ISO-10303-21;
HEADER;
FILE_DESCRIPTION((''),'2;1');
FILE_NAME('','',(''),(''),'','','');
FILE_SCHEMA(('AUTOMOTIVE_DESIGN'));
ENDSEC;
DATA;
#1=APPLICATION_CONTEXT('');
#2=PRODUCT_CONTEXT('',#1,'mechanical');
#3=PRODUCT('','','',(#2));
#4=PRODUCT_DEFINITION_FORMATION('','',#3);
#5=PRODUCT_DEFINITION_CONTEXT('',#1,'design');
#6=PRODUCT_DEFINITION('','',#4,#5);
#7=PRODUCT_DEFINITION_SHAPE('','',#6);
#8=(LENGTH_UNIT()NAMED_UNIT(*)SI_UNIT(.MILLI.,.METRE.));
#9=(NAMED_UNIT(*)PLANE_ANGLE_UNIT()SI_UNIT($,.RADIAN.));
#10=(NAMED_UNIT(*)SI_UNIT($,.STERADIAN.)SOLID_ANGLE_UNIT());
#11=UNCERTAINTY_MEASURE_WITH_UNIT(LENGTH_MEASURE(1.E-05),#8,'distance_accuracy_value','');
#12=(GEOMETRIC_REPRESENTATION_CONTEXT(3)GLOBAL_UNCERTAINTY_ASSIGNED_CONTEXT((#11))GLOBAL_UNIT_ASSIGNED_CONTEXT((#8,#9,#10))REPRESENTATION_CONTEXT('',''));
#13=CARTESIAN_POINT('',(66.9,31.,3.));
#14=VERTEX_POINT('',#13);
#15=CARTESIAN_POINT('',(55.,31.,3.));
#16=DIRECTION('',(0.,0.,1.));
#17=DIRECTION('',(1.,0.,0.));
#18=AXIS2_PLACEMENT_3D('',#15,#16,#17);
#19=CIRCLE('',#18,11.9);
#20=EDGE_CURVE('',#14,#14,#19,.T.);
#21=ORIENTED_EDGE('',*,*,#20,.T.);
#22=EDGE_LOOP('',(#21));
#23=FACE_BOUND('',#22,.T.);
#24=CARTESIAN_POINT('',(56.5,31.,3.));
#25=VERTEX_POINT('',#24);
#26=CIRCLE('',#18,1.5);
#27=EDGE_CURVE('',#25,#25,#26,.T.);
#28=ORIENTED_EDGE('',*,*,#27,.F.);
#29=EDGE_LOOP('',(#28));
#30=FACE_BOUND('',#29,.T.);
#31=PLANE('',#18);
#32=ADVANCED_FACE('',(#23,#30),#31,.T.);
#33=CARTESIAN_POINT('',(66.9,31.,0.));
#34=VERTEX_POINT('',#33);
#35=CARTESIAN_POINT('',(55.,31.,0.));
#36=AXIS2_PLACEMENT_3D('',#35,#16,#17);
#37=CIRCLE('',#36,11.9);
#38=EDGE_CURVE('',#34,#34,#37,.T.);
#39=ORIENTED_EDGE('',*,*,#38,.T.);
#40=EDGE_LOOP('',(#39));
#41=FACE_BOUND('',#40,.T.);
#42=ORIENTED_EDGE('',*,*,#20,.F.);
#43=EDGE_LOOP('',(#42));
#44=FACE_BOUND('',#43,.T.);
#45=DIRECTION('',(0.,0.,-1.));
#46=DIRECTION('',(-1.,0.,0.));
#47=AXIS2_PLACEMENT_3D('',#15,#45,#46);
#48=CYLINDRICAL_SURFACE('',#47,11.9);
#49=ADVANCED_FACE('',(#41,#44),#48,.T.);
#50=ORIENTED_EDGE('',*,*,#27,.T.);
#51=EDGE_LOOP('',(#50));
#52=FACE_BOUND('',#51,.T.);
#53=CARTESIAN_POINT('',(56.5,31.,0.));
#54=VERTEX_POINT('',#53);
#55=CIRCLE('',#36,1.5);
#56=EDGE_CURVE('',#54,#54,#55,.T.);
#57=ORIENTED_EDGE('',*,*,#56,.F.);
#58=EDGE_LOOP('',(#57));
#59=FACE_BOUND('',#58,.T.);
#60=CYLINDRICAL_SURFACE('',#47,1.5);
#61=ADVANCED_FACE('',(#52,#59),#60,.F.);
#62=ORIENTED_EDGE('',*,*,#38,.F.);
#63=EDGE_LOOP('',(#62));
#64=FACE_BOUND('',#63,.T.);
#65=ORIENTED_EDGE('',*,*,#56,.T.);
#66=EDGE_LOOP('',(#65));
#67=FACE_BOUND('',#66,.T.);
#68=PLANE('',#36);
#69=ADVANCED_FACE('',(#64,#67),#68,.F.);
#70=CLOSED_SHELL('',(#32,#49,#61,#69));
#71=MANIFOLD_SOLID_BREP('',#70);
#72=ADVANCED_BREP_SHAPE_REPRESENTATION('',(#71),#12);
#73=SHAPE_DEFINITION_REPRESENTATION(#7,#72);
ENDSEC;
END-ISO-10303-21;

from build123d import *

# Parameters (mm, degrees)
MODEL_R                 = 11.9
MODEL_R_2               = 1.5
SALIENTE_EXTRUIR1_DEPTH = 3


with BuildPart() as part:
    # Model → Saliente-Extruir1 (new body)
    with BuildSketch(Plane.XY):
        with Locations((55, 31)):
            Circle(MODEL_R)
        with Locations((55, 31)):
            Circle(MODEL_R_2, mode=Mode.SUBTRACT)
    extrude(amount=SALIENTE_EXTRUIR1_DEPTH)


solid = part.part
